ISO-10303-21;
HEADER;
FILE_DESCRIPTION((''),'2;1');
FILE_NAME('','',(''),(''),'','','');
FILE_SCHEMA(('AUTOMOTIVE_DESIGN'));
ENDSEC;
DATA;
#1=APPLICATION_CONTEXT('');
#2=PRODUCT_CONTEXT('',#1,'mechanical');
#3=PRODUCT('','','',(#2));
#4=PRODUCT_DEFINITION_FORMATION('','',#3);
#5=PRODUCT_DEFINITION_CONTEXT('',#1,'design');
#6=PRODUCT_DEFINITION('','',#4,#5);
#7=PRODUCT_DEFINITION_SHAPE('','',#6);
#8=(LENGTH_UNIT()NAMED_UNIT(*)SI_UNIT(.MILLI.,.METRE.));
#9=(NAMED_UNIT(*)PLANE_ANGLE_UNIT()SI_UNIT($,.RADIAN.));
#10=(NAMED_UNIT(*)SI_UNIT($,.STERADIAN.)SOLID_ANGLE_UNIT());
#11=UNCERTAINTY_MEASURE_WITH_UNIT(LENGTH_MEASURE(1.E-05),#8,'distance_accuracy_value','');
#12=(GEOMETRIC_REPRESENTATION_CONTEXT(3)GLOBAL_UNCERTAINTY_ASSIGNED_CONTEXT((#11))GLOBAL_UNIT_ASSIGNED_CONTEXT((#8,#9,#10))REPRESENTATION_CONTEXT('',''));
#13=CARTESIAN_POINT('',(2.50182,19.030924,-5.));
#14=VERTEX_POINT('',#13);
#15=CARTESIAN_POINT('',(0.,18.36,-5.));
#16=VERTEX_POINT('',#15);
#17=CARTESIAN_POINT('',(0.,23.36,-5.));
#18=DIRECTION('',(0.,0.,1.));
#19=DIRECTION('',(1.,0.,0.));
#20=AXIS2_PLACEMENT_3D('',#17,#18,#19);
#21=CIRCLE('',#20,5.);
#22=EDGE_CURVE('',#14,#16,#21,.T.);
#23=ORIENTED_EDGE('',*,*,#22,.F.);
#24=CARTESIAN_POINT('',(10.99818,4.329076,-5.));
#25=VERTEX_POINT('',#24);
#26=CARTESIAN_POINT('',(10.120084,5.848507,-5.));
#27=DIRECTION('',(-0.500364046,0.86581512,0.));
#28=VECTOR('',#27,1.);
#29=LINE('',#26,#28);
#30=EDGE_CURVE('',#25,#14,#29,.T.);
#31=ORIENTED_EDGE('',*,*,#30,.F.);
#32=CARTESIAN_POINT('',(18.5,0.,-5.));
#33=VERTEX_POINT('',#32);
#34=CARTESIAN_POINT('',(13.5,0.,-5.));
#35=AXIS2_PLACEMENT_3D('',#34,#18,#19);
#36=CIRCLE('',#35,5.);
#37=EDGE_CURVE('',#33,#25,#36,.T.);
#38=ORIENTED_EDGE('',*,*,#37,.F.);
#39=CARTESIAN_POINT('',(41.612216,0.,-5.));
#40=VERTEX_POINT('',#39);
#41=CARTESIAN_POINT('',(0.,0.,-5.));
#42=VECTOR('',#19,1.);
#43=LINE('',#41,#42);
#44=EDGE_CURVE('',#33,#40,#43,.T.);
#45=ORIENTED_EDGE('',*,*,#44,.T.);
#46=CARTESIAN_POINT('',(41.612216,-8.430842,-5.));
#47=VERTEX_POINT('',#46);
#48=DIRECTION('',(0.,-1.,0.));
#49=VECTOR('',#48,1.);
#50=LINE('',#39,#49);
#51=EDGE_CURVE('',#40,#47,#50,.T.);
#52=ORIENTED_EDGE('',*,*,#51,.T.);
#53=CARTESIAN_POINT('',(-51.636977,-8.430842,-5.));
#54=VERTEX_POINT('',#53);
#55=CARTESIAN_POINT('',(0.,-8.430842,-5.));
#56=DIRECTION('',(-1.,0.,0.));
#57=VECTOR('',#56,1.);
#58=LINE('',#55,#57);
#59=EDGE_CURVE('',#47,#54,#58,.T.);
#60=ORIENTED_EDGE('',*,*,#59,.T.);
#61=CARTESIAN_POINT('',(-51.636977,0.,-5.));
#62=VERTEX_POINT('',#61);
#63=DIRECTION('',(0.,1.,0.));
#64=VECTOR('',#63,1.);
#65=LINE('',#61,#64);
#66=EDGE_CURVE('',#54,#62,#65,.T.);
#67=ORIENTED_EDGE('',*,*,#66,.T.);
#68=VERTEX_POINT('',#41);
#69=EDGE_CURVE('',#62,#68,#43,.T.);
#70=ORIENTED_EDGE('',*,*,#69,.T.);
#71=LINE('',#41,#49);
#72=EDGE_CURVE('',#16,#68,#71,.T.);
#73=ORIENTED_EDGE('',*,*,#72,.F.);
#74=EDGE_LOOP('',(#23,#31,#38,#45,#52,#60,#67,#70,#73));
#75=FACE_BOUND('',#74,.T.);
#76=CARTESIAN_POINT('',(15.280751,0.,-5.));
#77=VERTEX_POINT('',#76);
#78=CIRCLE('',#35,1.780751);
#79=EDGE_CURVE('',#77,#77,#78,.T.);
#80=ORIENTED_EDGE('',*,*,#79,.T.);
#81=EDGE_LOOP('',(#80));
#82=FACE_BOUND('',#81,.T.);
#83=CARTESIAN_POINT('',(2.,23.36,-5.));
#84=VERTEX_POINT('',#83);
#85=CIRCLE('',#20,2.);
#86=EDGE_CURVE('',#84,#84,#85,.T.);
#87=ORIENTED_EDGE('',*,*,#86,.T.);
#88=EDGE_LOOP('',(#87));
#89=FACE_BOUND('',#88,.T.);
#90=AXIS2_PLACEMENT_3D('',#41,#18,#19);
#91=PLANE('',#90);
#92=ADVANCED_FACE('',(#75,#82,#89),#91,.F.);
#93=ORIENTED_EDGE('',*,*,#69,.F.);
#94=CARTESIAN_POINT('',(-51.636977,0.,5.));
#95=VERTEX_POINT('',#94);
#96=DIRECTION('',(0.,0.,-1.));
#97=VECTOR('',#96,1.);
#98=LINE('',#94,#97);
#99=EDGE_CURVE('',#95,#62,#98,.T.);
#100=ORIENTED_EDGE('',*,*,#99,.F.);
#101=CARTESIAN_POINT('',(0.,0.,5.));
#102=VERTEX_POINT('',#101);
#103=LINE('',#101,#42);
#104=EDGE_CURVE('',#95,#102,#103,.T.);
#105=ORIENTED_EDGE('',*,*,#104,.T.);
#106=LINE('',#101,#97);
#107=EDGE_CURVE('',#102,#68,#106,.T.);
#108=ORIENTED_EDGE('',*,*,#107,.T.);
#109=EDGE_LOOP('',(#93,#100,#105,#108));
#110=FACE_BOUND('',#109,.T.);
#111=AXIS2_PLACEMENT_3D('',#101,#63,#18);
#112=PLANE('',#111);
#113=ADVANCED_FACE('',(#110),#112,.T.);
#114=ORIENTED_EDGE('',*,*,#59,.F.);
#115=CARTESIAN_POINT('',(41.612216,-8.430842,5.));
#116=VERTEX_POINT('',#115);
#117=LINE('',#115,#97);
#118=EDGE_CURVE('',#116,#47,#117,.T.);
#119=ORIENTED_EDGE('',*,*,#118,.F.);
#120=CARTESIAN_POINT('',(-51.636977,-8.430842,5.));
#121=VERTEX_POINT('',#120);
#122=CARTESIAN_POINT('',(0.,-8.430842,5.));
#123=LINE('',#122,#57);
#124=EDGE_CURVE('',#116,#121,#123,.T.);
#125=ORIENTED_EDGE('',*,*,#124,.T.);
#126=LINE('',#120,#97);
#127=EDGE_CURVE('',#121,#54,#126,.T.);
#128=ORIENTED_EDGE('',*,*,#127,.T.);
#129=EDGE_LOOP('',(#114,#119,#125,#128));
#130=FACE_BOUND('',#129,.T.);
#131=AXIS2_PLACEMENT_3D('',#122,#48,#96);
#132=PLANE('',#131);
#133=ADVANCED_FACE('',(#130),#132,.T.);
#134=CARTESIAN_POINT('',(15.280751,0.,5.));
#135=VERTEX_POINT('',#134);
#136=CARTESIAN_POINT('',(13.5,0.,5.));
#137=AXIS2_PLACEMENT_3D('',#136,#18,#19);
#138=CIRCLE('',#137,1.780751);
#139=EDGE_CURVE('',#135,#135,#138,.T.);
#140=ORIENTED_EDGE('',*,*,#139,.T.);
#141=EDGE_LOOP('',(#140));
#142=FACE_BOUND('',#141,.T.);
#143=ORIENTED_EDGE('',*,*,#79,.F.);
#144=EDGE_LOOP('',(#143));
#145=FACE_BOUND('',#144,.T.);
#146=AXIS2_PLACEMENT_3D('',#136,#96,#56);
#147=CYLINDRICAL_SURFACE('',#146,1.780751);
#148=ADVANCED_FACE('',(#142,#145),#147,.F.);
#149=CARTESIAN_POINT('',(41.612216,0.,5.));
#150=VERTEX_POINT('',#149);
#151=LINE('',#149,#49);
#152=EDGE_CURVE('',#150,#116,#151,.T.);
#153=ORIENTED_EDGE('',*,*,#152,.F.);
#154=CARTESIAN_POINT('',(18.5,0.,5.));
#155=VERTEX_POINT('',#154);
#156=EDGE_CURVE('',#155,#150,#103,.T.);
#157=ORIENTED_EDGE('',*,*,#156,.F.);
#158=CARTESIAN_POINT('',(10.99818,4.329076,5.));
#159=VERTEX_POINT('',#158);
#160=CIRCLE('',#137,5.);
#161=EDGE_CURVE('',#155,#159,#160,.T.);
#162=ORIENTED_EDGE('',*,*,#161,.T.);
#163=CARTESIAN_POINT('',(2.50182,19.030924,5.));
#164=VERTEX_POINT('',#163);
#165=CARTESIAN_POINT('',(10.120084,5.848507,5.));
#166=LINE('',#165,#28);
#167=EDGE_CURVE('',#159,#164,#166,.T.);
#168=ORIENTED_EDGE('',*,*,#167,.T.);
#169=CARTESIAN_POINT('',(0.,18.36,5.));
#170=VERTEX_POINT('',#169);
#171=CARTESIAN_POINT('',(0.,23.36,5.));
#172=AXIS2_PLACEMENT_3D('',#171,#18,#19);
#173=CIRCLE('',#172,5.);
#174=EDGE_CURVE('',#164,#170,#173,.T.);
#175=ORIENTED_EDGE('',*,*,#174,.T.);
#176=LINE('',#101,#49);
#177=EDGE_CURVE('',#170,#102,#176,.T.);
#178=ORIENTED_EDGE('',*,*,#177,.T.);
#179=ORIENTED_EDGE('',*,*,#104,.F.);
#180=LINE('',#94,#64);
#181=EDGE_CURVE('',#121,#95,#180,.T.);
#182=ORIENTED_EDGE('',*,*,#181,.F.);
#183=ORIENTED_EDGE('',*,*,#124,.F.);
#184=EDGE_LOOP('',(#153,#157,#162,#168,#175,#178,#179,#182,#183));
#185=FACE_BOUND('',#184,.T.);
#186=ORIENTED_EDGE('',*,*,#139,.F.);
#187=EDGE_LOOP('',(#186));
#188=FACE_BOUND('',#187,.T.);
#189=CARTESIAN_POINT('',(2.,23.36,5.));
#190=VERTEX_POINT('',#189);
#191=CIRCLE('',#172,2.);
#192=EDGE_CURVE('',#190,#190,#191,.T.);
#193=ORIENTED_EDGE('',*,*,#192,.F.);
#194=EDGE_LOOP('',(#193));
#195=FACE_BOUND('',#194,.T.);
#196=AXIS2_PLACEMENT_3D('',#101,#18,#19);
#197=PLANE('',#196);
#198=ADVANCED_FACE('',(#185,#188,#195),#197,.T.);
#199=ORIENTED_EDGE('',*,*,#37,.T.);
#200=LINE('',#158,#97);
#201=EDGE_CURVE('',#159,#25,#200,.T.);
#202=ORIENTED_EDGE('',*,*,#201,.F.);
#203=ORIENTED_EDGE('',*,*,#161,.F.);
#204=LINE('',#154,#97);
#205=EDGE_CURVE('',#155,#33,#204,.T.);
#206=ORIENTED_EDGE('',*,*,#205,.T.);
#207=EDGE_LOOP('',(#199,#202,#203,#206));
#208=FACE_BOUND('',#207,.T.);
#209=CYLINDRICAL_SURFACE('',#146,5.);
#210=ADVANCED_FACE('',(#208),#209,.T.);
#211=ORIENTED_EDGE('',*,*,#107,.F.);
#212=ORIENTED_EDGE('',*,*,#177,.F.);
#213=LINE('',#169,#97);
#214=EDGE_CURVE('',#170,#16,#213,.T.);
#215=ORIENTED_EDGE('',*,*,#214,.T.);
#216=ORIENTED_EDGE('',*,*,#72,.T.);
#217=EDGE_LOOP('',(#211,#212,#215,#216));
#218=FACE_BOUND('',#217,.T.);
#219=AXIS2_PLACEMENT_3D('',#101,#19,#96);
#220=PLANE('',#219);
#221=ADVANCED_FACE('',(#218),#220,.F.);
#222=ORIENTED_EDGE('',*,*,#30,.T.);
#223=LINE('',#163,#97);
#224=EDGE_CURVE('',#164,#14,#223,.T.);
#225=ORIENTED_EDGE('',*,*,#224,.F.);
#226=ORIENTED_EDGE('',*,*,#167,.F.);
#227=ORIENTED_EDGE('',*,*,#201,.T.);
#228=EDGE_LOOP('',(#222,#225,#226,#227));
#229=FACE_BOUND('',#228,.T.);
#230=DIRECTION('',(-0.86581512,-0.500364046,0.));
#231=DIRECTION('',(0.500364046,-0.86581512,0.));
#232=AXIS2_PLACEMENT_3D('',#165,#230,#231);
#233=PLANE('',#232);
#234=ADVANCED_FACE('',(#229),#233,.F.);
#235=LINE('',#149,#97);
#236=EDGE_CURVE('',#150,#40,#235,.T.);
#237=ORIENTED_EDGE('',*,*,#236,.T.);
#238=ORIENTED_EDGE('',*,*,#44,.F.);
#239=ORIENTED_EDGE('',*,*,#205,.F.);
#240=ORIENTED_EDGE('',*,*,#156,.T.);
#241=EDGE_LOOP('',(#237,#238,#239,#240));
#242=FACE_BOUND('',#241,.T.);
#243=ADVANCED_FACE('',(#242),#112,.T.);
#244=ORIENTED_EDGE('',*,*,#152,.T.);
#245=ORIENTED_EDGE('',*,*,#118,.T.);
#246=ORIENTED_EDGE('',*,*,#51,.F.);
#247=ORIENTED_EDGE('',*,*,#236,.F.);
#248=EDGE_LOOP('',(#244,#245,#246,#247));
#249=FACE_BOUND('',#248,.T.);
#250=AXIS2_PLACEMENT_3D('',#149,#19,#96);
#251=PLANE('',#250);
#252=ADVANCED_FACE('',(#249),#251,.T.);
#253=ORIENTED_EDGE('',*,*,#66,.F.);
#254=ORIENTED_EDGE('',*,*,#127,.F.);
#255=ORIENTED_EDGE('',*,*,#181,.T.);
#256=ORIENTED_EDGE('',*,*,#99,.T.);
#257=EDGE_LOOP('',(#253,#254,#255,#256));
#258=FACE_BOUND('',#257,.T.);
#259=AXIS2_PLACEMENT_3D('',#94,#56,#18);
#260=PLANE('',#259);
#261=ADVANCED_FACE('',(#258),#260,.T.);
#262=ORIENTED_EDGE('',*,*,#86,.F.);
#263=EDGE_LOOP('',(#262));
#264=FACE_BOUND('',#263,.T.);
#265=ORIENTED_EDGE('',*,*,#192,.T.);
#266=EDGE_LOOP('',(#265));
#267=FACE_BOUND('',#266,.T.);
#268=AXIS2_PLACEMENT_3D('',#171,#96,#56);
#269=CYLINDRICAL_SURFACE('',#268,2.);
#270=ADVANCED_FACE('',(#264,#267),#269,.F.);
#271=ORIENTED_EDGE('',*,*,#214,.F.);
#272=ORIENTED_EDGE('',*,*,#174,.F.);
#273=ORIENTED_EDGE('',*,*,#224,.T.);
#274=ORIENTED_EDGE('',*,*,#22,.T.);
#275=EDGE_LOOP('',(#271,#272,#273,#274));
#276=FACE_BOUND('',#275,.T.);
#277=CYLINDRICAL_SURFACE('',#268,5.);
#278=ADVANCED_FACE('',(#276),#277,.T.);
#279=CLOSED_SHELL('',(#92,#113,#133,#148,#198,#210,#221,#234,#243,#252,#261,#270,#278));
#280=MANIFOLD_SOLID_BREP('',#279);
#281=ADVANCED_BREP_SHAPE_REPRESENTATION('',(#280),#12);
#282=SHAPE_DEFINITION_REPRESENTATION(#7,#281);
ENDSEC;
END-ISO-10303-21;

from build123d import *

# Parameters (mm, degrees)
SKETCH_2_R      = 2
EXTRUDE_1_DEPTH = 5


with BuildPart() as part:
    # 草图2 → 凸台-拉伸1 (new, symmetric)
    with BuildSketch(Plane.XY):
        with BuildLine():
            ThreePointArc((18.5, 0), (15.999089719, 4.330652442), (10.99817977, 4.329075598))
            Line((10.99817977, 4.329075598), (2.50182023, 19.030924402))
            ThreePointArc((2.50182023, 19.030924402), (-1.295110422, 28.189356996), (0, 18.36))
            Line((0, 18.36), (0, 0))
            Line((0, 0), (-51.636977369, 0))
            Line((-51.636977369, 0), (-51.636977369, -8.430841873))
            Line((-51.636977369, -8.430841873), (41.612216194, -8.430841873))
            Line((41.612216194, -8.430841873), (41.612216194, 0))
            Line((41.612216194, 0), (18.5, 0))
        make_face()
        with BuildLine():
            ThreePointArc((15.280750547, 0), (13.5, -1.780750547), (11.719249453, 0))
            ThreePointArc((11.719249453, 0), (13.5, 1.780750547), (15.280750547, 0))
        make_face(mode=Mode.SUBTRACT)
        with Locations((0, 23.36)):
            Circle(SKETCH_2_R, mode=Mode.SUBTRACT)
    extrude(amount=EXTRUDE_1_DEPTH, both=True)


solid = part.part
